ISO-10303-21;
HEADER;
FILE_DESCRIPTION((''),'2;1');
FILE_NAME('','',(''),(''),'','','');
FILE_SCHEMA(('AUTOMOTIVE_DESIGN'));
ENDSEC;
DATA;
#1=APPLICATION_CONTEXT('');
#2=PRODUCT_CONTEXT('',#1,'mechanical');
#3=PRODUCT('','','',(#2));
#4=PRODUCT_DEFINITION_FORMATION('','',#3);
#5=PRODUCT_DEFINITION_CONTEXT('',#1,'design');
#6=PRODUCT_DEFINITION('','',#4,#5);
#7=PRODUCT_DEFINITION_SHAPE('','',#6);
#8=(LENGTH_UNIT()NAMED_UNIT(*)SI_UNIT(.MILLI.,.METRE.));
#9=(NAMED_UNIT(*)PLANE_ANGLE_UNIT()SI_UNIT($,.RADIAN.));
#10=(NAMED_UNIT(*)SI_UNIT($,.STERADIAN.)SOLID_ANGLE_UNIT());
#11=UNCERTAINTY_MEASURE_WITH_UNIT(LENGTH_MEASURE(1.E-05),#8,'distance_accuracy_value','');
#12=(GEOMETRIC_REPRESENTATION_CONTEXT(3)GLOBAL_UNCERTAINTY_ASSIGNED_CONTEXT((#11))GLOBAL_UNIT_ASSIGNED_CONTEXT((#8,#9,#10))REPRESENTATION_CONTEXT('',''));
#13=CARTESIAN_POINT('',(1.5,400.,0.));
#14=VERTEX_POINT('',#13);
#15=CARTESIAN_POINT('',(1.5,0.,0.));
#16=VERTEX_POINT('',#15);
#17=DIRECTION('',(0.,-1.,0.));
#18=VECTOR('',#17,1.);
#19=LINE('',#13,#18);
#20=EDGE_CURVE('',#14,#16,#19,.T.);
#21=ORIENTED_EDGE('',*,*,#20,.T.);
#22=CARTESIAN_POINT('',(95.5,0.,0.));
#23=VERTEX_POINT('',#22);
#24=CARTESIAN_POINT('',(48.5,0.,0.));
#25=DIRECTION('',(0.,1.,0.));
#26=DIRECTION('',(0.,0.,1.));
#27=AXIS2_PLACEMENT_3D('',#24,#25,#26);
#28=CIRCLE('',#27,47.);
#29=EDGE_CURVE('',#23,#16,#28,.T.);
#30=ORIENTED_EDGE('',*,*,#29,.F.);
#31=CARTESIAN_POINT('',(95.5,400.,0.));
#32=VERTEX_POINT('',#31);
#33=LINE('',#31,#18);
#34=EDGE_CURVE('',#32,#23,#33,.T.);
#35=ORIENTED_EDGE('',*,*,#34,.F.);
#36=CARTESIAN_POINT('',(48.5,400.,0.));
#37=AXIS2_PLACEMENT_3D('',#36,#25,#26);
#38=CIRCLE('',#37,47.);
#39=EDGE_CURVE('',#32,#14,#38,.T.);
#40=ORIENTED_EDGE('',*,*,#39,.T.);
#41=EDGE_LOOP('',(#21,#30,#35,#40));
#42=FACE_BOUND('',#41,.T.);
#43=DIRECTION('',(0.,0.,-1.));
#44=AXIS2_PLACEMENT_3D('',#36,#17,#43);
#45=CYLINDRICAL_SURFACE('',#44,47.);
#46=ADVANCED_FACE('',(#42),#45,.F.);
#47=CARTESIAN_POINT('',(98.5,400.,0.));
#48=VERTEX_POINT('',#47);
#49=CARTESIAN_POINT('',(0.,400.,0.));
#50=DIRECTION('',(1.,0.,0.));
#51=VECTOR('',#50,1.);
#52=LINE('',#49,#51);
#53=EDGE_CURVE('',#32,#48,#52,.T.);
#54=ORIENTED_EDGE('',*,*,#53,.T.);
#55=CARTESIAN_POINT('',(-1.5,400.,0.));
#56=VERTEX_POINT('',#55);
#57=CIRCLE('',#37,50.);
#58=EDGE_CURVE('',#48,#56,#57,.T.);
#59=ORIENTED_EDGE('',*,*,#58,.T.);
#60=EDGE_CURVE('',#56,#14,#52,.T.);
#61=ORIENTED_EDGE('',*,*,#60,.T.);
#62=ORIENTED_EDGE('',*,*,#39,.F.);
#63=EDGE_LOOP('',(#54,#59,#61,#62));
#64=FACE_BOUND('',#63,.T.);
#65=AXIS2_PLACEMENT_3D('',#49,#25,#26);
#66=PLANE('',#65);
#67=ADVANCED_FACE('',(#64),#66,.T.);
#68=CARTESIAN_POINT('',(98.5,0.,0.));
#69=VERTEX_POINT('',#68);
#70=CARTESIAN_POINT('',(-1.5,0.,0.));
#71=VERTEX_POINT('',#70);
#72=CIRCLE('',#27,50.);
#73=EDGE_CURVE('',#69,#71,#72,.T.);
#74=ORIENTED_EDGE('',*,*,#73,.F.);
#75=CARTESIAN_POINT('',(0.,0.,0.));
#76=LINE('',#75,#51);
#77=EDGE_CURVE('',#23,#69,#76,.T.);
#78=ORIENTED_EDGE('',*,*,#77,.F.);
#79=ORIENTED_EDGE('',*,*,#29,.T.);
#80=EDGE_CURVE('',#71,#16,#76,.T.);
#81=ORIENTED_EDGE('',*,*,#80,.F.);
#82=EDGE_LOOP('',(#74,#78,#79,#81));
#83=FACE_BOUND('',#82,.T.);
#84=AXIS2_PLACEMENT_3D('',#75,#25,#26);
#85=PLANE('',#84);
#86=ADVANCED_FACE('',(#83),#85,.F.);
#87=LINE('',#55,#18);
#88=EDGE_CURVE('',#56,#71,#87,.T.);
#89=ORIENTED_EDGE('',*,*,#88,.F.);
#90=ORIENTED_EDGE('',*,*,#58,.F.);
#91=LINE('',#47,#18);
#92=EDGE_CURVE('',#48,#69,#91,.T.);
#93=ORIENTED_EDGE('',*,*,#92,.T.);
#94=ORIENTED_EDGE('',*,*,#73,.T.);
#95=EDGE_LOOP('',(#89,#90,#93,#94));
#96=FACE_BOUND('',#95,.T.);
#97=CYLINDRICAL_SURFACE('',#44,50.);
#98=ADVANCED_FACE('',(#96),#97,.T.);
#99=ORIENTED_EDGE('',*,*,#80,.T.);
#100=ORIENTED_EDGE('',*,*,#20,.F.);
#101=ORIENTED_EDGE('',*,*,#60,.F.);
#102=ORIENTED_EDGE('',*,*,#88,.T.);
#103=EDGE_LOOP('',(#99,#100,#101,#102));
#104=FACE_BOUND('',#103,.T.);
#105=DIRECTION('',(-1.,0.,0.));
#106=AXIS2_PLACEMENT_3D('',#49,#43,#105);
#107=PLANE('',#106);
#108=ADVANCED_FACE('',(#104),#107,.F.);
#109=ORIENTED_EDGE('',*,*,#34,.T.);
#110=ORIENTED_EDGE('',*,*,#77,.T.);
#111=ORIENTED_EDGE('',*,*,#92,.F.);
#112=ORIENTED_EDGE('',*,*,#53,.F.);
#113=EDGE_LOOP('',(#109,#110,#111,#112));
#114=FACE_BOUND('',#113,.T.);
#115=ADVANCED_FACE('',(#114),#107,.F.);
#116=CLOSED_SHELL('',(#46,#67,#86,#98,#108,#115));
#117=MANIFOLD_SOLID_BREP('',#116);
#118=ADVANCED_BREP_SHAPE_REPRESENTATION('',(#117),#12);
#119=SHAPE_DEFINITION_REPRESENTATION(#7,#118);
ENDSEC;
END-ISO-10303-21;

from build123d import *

# Parameters (mm, degrees)
BOSS_EXTRU_1_DEPTH = 400


with BuildPart() as part:
    # Esquisse1 → Boss.-Extru.1 (new body)
    with BuildSketch(Plane(origin=(0, 0, 0), x_dir=(1, 0, 0), z_dir=(0, 1, 0))):
        with BuildLine():
            ThreePointArc((1.5, 0), (48.5, 47), (95.5, 0))
            Line((95.5, 0), (98.5, 0))
            ThreePointArc((98.5, 0), (48.5, 50), (-1.5, 0))
            Line((-1.5, 0), (1.5, 0))
        make_face()
    extrude(amount=BOSS_EXTRU_1_DEPTH)


solid = part.part
